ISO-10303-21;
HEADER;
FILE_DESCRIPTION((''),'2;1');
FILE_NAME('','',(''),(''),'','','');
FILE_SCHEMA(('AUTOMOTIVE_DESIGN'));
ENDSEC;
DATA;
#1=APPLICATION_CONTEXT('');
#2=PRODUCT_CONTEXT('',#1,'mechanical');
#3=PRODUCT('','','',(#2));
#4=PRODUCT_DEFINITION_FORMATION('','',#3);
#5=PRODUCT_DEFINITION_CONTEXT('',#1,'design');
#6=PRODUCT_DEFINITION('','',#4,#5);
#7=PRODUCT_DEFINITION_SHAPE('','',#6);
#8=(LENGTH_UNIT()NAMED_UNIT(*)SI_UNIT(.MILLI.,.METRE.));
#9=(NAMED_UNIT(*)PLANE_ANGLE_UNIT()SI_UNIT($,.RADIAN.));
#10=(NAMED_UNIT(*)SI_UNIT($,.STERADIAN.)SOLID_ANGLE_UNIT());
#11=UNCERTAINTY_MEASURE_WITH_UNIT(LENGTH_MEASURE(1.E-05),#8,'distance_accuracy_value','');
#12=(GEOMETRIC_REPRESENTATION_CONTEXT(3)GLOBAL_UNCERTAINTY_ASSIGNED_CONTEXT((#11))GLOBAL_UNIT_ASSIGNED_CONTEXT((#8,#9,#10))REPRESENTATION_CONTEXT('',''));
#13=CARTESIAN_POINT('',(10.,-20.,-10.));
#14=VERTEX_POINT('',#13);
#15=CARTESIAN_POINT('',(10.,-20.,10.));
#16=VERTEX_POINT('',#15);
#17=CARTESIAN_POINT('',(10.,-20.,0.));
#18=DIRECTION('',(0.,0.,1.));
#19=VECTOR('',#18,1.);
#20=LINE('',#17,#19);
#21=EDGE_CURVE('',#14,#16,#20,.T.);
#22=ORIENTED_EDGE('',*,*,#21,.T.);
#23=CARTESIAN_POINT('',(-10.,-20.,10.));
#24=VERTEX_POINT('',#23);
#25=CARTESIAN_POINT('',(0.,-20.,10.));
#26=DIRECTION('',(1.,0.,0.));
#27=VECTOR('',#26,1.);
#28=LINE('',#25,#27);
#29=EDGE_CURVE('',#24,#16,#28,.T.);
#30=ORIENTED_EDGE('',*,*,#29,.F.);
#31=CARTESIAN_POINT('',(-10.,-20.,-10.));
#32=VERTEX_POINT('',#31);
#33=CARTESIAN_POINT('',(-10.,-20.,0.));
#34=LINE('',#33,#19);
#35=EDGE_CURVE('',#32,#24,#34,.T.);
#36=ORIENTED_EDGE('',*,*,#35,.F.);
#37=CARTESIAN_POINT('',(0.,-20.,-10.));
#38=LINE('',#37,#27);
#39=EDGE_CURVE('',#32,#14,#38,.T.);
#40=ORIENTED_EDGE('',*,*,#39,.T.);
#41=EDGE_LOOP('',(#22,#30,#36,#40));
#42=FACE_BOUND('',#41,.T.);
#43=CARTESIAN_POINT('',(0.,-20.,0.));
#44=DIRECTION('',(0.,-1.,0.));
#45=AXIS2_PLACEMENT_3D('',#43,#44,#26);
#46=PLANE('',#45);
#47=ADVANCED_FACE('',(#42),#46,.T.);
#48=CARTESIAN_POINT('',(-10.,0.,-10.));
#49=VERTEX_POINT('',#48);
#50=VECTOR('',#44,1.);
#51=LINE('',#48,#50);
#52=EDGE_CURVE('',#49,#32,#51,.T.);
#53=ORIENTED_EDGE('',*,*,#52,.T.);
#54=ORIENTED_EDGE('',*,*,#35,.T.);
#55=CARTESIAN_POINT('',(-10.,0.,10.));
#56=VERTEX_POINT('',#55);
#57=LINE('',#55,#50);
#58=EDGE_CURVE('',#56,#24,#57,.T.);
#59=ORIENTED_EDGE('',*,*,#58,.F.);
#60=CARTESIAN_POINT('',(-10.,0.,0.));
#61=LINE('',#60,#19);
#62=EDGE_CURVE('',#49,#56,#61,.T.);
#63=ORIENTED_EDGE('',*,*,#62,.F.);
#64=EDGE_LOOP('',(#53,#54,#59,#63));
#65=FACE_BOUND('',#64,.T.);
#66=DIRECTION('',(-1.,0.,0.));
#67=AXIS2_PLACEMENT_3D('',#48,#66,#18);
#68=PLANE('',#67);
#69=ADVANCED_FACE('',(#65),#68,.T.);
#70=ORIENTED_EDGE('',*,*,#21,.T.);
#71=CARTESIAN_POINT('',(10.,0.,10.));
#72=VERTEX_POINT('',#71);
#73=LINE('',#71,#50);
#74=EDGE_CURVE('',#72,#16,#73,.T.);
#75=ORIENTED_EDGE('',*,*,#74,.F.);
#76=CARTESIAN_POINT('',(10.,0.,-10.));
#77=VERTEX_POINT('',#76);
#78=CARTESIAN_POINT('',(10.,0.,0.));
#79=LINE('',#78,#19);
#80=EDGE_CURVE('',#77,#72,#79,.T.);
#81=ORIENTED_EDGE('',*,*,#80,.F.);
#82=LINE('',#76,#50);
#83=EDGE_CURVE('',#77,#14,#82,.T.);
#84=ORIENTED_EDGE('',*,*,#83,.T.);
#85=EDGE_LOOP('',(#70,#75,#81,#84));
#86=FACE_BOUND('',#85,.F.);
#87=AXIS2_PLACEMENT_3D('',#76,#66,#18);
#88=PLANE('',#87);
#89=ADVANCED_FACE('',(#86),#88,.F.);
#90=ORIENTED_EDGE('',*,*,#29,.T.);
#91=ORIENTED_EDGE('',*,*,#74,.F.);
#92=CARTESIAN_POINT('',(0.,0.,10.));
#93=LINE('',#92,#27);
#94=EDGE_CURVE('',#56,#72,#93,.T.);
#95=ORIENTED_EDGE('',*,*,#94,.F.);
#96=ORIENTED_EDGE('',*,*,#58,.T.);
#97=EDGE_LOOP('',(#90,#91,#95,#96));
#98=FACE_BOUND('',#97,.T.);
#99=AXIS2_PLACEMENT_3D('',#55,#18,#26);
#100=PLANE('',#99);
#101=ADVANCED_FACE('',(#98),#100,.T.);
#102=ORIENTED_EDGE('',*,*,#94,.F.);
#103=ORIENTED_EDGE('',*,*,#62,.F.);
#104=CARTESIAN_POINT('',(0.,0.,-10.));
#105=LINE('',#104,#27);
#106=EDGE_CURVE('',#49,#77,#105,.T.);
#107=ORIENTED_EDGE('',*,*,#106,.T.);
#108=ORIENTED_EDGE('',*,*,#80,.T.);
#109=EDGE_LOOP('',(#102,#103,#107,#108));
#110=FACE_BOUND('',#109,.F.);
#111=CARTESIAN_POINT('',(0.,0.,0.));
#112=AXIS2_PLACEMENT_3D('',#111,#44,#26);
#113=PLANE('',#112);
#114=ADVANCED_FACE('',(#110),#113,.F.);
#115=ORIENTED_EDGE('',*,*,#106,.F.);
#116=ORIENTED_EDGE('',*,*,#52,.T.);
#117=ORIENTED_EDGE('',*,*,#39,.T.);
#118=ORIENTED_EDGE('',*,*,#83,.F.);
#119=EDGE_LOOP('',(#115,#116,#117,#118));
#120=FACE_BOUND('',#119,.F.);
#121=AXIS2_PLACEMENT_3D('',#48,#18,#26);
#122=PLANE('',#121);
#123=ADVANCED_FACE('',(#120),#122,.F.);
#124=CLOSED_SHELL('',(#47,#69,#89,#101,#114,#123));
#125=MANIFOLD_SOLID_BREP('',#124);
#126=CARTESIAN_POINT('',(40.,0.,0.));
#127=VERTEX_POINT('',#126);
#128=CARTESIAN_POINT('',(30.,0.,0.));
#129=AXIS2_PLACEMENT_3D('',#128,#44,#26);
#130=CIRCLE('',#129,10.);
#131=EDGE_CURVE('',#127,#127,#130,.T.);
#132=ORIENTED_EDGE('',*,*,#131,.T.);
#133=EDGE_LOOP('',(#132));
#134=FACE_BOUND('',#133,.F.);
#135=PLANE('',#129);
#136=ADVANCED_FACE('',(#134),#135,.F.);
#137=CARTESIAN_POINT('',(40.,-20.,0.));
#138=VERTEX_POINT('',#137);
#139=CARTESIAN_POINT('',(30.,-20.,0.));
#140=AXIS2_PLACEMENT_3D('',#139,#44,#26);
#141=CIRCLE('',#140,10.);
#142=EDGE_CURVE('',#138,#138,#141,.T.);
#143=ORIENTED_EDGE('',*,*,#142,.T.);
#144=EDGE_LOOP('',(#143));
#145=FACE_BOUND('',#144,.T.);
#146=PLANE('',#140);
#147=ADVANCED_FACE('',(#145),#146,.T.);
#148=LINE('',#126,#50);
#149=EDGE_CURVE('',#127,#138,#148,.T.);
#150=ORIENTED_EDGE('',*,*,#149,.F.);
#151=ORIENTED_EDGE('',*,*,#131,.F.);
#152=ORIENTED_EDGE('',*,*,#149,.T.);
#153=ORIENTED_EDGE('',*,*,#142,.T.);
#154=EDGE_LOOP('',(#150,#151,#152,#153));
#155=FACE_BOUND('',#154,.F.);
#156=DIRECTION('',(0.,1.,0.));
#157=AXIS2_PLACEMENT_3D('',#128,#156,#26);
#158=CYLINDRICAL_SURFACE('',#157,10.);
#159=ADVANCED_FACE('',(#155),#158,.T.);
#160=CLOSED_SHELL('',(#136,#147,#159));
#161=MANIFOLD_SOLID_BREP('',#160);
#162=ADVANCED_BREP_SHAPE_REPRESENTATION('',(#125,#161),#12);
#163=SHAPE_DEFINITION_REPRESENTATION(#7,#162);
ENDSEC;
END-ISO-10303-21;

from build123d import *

# Parameters (mm, degrees)
F0_W     = 20
F0_H     = 20
F0_R     = 10
F1_DEPTH = 20


with BuildPart() as f1:
    # F0 (on Front) → F1 (new body)
    with BuildSketch(Plane.XZ):
        Rectangle(F0_W, F0_H)
        with Locations((30, 0)):
            Circle(F0_R)
    extrude(amount=F1_DEPTH)


solid = f1.part
